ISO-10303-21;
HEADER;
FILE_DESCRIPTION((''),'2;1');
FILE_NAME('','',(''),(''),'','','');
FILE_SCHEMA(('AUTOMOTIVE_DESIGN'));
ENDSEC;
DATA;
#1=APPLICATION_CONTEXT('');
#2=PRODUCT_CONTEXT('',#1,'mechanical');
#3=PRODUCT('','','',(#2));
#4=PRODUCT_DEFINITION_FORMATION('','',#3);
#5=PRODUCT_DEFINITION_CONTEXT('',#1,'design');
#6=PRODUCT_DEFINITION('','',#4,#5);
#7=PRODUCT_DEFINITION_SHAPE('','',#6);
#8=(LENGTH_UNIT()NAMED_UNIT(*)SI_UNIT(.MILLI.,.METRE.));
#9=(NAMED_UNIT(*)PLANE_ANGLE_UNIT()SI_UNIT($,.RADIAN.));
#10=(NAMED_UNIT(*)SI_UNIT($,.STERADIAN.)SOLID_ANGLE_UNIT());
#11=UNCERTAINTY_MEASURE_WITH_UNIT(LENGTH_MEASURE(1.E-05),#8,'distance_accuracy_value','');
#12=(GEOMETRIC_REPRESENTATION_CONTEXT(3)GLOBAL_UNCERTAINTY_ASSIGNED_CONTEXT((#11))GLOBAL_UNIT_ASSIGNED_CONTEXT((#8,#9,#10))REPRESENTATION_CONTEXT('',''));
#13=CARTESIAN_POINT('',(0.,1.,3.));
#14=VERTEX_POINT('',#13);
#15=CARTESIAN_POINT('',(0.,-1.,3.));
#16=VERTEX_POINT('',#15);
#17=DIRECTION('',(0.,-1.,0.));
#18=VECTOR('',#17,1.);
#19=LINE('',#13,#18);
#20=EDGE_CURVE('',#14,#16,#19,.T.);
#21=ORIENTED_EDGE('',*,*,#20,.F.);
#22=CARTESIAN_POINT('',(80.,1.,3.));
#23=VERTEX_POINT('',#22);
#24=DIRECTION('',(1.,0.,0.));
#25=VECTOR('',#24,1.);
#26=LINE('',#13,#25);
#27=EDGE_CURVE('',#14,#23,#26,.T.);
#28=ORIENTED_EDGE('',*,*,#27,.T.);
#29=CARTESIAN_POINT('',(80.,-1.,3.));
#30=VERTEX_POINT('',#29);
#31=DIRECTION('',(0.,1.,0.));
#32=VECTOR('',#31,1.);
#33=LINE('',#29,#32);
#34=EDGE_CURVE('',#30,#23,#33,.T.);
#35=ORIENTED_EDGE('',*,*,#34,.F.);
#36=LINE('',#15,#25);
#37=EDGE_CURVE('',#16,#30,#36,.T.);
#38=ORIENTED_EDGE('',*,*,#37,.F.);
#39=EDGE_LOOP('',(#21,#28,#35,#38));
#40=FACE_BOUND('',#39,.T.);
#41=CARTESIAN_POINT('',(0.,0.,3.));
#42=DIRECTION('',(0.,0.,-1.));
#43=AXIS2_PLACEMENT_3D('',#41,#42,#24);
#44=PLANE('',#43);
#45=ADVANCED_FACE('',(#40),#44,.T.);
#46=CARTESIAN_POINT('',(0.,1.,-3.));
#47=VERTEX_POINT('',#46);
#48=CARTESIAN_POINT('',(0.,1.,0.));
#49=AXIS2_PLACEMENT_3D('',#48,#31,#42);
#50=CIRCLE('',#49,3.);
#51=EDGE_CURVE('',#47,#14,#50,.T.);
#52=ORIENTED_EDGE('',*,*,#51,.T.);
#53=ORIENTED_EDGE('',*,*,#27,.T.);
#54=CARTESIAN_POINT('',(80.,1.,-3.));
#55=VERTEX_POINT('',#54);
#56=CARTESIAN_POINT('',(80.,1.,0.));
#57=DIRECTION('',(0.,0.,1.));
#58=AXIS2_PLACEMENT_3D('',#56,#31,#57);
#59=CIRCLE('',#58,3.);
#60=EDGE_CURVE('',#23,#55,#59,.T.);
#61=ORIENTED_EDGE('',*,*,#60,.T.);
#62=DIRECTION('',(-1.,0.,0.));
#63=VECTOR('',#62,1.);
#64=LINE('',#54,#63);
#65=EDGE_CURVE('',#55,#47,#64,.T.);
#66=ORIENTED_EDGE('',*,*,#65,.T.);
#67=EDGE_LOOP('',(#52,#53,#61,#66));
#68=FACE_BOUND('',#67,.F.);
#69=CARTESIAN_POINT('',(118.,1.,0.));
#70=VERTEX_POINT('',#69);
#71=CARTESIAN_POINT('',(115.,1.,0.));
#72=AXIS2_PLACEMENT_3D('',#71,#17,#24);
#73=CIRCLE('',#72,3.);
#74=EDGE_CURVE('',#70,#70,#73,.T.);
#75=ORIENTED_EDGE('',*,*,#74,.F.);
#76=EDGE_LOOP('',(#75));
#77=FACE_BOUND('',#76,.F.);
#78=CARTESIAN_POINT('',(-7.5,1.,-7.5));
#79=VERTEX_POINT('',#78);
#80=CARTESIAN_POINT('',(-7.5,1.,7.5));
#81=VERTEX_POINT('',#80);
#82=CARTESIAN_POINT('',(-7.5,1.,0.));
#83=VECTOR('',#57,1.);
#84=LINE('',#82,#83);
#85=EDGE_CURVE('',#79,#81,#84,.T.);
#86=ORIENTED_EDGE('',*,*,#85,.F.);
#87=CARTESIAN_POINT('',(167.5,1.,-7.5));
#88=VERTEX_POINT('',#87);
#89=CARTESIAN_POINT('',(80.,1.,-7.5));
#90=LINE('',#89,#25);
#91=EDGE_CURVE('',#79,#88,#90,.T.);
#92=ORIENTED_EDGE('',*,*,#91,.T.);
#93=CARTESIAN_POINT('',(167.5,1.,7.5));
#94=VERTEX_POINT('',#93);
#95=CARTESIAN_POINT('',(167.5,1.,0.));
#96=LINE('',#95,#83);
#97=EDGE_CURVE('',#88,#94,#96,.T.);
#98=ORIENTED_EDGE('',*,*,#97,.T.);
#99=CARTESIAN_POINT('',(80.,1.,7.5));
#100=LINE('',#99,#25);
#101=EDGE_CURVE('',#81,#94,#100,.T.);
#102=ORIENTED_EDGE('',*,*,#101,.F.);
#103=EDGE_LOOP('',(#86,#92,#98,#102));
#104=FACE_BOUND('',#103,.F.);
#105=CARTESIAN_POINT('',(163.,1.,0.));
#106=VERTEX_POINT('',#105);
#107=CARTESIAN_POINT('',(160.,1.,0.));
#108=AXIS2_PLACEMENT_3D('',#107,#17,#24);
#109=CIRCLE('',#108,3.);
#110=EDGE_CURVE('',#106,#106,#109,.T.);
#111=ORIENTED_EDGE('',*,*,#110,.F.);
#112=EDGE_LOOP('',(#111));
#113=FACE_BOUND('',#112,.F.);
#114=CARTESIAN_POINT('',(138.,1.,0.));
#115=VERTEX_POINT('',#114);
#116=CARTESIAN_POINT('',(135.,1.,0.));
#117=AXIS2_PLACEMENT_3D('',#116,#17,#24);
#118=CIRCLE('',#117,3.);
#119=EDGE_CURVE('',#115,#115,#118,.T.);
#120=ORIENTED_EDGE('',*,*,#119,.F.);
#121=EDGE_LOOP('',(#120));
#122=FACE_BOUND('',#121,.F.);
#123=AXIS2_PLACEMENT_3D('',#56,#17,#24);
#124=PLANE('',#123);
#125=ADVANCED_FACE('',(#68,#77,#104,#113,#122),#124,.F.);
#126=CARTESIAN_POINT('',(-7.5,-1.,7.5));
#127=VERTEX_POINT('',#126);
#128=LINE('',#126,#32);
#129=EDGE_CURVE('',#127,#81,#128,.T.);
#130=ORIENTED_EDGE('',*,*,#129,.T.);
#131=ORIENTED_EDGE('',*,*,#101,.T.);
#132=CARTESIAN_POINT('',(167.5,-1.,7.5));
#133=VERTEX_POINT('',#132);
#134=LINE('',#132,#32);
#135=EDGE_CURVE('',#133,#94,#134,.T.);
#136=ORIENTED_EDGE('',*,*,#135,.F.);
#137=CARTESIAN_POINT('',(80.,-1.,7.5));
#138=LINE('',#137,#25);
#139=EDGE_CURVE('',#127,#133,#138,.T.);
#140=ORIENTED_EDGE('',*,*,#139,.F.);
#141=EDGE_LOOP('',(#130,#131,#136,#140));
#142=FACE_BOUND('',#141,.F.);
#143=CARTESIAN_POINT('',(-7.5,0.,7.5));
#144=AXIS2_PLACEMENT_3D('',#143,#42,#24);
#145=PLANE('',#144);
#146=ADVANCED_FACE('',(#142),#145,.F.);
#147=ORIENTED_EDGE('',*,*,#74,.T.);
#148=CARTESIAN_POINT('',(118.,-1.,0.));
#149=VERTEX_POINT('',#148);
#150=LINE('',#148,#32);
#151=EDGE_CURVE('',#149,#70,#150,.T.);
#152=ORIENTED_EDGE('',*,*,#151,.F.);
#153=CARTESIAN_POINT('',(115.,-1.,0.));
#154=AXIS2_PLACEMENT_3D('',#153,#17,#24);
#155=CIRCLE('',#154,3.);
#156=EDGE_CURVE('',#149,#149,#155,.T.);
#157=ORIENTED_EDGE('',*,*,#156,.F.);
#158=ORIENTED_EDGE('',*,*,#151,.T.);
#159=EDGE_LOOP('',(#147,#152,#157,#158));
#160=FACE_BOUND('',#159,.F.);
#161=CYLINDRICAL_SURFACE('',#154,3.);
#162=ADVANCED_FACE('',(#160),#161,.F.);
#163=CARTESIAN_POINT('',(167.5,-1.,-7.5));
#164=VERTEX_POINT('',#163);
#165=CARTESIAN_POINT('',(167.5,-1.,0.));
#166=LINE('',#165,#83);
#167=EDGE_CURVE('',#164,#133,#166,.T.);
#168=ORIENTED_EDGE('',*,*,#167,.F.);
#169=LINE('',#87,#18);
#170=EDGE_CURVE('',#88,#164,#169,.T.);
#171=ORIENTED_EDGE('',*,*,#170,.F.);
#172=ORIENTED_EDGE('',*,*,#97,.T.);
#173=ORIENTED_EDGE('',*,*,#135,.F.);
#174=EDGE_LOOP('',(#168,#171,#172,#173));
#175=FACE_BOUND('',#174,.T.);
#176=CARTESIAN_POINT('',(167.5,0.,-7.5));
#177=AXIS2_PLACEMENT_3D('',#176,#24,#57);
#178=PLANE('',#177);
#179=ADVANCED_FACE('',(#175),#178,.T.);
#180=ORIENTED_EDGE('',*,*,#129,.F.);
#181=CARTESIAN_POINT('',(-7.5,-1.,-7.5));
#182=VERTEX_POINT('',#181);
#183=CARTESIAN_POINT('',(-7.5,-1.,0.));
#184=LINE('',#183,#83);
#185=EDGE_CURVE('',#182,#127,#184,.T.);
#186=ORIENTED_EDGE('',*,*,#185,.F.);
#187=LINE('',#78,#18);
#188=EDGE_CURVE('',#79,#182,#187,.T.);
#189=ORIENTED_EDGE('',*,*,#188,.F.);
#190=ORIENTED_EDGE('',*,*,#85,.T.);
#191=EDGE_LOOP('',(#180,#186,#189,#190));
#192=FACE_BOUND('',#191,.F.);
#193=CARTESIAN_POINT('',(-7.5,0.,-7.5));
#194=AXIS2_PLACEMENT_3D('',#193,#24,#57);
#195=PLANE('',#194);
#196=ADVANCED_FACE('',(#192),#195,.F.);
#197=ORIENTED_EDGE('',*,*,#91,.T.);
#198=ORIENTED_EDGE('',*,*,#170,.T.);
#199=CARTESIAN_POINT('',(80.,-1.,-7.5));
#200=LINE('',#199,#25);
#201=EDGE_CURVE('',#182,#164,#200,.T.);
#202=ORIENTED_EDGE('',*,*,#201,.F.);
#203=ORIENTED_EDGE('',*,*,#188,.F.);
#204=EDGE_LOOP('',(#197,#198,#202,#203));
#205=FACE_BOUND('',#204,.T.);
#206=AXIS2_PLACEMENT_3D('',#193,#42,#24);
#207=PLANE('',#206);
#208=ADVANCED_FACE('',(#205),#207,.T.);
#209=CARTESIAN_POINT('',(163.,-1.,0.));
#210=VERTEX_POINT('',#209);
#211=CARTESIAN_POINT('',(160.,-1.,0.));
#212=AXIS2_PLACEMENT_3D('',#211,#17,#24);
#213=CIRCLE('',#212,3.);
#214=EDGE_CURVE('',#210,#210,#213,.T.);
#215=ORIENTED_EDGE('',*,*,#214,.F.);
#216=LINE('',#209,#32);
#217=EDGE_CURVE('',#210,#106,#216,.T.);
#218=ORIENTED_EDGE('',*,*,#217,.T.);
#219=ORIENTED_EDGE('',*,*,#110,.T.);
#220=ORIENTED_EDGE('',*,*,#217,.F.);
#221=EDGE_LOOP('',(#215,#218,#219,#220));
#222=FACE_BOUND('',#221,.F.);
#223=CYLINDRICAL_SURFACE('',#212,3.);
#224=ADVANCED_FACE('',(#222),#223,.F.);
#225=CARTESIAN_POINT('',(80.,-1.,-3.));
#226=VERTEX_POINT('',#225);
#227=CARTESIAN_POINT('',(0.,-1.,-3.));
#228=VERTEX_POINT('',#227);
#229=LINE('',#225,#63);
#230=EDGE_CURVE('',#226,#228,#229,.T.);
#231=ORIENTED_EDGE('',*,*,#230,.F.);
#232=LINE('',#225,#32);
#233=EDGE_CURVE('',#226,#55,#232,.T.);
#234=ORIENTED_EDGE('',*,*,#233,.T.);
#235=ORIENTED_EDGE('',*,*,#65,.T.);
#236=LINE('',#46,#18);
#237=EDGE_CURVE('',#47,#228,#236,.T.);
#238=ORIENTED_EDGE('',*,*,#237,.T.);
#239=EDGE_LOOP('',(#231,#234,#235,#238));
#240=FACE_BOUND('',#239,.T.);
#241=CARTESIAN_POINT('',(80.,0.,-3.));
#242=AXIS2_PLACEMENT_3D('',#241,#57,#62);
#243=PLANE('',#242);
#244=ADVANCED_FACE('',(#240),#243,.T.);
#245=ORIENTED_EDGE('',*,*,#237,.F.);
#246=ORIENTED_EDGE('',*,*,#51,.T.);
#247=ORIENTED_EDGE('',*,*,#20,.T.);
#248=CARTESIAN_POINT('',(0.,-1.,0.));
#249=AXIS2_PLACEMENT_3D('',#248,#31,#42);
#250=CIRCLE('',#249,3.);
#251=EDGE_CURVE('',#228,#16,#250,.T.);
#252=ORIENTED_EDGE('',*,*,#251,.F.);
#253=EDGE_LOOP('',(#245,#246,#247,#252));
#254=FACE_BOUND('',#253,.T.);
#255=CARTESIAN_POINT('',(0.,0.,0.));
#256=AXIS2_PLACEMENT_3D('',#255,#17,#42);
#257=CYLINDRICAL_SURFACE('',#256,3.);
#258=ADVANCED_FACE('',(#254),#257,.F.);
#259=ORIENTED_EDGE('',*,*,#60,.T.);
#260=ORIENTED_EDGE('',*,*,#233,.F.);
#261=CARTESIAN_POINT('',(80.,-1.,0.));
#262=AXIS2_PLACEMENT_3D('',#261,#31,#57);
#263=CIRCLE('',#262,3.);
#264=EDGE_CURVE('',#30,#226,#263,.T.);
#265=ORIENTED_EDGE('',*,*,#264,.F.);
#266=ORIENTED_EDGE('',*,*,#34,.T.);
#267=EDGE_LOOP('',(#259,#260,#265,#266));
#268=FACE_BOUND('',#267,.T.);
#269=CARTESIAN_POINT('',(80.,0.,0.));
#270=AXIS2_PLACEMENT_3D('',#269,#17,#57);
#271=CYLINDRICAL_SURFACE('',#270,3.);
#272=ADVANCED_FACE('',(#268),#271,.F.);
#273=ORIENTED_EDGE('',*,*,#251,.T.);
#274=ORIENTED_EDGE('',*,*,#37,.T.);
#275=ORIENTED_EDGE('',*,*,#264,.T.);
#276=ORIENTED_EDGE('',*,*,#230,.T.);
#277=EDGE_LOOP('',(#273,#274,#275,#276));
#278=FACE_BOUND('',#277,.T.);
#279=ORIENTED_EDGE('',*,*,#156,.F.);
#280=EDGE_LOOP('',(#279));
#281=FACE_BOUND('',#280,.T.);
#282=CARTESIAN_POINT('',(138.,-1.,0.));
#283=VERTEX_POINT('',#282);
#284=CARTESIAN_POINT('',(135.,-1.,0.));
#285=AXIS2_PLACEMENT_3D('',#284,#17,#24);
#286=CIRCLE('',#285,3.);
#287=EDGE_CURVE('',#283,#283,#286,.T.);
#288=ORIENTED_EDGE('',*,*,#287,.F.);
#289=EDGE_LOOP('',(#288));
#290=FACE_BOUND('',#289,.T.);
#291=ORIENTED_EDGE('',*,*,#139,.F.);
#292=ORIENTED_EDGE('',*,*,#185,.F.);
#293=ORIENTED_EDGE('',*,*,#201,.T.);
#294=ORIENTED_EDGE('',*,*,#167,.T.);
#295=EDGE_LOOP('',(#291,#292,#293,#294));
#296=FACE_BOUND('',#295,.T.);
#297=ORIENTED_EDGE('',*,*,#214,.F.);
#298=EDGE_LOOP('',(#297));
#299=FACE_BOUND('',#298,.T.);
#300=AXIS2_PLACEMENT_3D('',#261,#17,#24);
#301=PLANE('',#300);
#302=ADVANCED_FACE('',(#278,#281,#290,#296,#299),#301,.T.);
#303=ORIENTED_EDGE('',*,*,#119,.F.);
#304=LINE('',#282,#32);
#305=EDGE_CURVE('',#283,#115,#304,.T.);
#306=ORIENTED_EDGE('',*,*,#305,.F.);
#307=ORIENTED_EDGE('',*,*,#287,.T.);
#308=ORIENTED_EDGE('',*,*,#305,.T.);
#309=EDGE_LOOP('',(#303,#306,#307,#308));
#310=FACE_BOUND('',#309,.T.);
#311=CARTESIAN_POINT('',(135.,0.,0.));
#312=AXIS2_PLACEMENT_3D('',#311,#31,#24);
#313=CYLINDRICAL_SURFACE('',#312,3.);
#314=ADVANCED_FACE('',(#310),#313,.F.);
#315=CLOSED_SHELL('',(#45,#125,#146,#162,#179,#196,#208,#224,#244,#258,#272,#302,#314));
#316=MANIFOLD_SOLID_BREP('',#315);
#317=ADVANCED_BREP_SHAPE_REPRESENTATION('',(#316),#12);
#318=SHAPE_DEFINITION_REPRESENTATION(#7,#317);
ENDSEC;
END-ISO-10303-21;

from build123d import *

# Parameters (mm, degrees)
F0_W     = 175
F0_H     = 15
F0_R     = 3
F1_DEPTH = 1
F2_R     = 3
F3_DEPTH = 2.001
F4_R     = 3
F5_DEPTH = 2.001


with BuildPart() as f1:
    # F0 (on Front) → F1 (new body, symmetric)
    with BuildSketch(Plane.XZ):
        with Locations((80, 0)):
            Rectangle(F0_W, F0_H)
        with BuildLine():
            ThreePointArc((0, -3), (-3, 0), (0, 3))
            Line((0, 3), (80, 3))
            ThreePointArc((80, 3), (83, 0), (80, -3))
            Line((80, -3), (0, -3))
        make_face(mode=Mode.SUBTRACT)
        with Locations((135, 0)):
            Circle(F0_R, mode=Mode.SUBTRACT)
    extrude(amount=F1_DEPTH, both=True)

    # F2 (on face) → F3 (cut, through all)
    with BuildSketch(Plane.XZ.offset(1)):
        with Locations((160, 0)):
            Circle(F2_R)
    extrude(amount=-F3_DEPTH, mode=Mode.SUBTRACT)

    # F4 (on face) → F5 (cut, through all)
    with BuildSketch(Plane.XZ.offset(1)):
        with Locations((115, 0)):
            Circle(F4_R)
    extrude(amount=-F5_DEPTH, mode=Mode.SUBTRACT)


solid = f1.part
